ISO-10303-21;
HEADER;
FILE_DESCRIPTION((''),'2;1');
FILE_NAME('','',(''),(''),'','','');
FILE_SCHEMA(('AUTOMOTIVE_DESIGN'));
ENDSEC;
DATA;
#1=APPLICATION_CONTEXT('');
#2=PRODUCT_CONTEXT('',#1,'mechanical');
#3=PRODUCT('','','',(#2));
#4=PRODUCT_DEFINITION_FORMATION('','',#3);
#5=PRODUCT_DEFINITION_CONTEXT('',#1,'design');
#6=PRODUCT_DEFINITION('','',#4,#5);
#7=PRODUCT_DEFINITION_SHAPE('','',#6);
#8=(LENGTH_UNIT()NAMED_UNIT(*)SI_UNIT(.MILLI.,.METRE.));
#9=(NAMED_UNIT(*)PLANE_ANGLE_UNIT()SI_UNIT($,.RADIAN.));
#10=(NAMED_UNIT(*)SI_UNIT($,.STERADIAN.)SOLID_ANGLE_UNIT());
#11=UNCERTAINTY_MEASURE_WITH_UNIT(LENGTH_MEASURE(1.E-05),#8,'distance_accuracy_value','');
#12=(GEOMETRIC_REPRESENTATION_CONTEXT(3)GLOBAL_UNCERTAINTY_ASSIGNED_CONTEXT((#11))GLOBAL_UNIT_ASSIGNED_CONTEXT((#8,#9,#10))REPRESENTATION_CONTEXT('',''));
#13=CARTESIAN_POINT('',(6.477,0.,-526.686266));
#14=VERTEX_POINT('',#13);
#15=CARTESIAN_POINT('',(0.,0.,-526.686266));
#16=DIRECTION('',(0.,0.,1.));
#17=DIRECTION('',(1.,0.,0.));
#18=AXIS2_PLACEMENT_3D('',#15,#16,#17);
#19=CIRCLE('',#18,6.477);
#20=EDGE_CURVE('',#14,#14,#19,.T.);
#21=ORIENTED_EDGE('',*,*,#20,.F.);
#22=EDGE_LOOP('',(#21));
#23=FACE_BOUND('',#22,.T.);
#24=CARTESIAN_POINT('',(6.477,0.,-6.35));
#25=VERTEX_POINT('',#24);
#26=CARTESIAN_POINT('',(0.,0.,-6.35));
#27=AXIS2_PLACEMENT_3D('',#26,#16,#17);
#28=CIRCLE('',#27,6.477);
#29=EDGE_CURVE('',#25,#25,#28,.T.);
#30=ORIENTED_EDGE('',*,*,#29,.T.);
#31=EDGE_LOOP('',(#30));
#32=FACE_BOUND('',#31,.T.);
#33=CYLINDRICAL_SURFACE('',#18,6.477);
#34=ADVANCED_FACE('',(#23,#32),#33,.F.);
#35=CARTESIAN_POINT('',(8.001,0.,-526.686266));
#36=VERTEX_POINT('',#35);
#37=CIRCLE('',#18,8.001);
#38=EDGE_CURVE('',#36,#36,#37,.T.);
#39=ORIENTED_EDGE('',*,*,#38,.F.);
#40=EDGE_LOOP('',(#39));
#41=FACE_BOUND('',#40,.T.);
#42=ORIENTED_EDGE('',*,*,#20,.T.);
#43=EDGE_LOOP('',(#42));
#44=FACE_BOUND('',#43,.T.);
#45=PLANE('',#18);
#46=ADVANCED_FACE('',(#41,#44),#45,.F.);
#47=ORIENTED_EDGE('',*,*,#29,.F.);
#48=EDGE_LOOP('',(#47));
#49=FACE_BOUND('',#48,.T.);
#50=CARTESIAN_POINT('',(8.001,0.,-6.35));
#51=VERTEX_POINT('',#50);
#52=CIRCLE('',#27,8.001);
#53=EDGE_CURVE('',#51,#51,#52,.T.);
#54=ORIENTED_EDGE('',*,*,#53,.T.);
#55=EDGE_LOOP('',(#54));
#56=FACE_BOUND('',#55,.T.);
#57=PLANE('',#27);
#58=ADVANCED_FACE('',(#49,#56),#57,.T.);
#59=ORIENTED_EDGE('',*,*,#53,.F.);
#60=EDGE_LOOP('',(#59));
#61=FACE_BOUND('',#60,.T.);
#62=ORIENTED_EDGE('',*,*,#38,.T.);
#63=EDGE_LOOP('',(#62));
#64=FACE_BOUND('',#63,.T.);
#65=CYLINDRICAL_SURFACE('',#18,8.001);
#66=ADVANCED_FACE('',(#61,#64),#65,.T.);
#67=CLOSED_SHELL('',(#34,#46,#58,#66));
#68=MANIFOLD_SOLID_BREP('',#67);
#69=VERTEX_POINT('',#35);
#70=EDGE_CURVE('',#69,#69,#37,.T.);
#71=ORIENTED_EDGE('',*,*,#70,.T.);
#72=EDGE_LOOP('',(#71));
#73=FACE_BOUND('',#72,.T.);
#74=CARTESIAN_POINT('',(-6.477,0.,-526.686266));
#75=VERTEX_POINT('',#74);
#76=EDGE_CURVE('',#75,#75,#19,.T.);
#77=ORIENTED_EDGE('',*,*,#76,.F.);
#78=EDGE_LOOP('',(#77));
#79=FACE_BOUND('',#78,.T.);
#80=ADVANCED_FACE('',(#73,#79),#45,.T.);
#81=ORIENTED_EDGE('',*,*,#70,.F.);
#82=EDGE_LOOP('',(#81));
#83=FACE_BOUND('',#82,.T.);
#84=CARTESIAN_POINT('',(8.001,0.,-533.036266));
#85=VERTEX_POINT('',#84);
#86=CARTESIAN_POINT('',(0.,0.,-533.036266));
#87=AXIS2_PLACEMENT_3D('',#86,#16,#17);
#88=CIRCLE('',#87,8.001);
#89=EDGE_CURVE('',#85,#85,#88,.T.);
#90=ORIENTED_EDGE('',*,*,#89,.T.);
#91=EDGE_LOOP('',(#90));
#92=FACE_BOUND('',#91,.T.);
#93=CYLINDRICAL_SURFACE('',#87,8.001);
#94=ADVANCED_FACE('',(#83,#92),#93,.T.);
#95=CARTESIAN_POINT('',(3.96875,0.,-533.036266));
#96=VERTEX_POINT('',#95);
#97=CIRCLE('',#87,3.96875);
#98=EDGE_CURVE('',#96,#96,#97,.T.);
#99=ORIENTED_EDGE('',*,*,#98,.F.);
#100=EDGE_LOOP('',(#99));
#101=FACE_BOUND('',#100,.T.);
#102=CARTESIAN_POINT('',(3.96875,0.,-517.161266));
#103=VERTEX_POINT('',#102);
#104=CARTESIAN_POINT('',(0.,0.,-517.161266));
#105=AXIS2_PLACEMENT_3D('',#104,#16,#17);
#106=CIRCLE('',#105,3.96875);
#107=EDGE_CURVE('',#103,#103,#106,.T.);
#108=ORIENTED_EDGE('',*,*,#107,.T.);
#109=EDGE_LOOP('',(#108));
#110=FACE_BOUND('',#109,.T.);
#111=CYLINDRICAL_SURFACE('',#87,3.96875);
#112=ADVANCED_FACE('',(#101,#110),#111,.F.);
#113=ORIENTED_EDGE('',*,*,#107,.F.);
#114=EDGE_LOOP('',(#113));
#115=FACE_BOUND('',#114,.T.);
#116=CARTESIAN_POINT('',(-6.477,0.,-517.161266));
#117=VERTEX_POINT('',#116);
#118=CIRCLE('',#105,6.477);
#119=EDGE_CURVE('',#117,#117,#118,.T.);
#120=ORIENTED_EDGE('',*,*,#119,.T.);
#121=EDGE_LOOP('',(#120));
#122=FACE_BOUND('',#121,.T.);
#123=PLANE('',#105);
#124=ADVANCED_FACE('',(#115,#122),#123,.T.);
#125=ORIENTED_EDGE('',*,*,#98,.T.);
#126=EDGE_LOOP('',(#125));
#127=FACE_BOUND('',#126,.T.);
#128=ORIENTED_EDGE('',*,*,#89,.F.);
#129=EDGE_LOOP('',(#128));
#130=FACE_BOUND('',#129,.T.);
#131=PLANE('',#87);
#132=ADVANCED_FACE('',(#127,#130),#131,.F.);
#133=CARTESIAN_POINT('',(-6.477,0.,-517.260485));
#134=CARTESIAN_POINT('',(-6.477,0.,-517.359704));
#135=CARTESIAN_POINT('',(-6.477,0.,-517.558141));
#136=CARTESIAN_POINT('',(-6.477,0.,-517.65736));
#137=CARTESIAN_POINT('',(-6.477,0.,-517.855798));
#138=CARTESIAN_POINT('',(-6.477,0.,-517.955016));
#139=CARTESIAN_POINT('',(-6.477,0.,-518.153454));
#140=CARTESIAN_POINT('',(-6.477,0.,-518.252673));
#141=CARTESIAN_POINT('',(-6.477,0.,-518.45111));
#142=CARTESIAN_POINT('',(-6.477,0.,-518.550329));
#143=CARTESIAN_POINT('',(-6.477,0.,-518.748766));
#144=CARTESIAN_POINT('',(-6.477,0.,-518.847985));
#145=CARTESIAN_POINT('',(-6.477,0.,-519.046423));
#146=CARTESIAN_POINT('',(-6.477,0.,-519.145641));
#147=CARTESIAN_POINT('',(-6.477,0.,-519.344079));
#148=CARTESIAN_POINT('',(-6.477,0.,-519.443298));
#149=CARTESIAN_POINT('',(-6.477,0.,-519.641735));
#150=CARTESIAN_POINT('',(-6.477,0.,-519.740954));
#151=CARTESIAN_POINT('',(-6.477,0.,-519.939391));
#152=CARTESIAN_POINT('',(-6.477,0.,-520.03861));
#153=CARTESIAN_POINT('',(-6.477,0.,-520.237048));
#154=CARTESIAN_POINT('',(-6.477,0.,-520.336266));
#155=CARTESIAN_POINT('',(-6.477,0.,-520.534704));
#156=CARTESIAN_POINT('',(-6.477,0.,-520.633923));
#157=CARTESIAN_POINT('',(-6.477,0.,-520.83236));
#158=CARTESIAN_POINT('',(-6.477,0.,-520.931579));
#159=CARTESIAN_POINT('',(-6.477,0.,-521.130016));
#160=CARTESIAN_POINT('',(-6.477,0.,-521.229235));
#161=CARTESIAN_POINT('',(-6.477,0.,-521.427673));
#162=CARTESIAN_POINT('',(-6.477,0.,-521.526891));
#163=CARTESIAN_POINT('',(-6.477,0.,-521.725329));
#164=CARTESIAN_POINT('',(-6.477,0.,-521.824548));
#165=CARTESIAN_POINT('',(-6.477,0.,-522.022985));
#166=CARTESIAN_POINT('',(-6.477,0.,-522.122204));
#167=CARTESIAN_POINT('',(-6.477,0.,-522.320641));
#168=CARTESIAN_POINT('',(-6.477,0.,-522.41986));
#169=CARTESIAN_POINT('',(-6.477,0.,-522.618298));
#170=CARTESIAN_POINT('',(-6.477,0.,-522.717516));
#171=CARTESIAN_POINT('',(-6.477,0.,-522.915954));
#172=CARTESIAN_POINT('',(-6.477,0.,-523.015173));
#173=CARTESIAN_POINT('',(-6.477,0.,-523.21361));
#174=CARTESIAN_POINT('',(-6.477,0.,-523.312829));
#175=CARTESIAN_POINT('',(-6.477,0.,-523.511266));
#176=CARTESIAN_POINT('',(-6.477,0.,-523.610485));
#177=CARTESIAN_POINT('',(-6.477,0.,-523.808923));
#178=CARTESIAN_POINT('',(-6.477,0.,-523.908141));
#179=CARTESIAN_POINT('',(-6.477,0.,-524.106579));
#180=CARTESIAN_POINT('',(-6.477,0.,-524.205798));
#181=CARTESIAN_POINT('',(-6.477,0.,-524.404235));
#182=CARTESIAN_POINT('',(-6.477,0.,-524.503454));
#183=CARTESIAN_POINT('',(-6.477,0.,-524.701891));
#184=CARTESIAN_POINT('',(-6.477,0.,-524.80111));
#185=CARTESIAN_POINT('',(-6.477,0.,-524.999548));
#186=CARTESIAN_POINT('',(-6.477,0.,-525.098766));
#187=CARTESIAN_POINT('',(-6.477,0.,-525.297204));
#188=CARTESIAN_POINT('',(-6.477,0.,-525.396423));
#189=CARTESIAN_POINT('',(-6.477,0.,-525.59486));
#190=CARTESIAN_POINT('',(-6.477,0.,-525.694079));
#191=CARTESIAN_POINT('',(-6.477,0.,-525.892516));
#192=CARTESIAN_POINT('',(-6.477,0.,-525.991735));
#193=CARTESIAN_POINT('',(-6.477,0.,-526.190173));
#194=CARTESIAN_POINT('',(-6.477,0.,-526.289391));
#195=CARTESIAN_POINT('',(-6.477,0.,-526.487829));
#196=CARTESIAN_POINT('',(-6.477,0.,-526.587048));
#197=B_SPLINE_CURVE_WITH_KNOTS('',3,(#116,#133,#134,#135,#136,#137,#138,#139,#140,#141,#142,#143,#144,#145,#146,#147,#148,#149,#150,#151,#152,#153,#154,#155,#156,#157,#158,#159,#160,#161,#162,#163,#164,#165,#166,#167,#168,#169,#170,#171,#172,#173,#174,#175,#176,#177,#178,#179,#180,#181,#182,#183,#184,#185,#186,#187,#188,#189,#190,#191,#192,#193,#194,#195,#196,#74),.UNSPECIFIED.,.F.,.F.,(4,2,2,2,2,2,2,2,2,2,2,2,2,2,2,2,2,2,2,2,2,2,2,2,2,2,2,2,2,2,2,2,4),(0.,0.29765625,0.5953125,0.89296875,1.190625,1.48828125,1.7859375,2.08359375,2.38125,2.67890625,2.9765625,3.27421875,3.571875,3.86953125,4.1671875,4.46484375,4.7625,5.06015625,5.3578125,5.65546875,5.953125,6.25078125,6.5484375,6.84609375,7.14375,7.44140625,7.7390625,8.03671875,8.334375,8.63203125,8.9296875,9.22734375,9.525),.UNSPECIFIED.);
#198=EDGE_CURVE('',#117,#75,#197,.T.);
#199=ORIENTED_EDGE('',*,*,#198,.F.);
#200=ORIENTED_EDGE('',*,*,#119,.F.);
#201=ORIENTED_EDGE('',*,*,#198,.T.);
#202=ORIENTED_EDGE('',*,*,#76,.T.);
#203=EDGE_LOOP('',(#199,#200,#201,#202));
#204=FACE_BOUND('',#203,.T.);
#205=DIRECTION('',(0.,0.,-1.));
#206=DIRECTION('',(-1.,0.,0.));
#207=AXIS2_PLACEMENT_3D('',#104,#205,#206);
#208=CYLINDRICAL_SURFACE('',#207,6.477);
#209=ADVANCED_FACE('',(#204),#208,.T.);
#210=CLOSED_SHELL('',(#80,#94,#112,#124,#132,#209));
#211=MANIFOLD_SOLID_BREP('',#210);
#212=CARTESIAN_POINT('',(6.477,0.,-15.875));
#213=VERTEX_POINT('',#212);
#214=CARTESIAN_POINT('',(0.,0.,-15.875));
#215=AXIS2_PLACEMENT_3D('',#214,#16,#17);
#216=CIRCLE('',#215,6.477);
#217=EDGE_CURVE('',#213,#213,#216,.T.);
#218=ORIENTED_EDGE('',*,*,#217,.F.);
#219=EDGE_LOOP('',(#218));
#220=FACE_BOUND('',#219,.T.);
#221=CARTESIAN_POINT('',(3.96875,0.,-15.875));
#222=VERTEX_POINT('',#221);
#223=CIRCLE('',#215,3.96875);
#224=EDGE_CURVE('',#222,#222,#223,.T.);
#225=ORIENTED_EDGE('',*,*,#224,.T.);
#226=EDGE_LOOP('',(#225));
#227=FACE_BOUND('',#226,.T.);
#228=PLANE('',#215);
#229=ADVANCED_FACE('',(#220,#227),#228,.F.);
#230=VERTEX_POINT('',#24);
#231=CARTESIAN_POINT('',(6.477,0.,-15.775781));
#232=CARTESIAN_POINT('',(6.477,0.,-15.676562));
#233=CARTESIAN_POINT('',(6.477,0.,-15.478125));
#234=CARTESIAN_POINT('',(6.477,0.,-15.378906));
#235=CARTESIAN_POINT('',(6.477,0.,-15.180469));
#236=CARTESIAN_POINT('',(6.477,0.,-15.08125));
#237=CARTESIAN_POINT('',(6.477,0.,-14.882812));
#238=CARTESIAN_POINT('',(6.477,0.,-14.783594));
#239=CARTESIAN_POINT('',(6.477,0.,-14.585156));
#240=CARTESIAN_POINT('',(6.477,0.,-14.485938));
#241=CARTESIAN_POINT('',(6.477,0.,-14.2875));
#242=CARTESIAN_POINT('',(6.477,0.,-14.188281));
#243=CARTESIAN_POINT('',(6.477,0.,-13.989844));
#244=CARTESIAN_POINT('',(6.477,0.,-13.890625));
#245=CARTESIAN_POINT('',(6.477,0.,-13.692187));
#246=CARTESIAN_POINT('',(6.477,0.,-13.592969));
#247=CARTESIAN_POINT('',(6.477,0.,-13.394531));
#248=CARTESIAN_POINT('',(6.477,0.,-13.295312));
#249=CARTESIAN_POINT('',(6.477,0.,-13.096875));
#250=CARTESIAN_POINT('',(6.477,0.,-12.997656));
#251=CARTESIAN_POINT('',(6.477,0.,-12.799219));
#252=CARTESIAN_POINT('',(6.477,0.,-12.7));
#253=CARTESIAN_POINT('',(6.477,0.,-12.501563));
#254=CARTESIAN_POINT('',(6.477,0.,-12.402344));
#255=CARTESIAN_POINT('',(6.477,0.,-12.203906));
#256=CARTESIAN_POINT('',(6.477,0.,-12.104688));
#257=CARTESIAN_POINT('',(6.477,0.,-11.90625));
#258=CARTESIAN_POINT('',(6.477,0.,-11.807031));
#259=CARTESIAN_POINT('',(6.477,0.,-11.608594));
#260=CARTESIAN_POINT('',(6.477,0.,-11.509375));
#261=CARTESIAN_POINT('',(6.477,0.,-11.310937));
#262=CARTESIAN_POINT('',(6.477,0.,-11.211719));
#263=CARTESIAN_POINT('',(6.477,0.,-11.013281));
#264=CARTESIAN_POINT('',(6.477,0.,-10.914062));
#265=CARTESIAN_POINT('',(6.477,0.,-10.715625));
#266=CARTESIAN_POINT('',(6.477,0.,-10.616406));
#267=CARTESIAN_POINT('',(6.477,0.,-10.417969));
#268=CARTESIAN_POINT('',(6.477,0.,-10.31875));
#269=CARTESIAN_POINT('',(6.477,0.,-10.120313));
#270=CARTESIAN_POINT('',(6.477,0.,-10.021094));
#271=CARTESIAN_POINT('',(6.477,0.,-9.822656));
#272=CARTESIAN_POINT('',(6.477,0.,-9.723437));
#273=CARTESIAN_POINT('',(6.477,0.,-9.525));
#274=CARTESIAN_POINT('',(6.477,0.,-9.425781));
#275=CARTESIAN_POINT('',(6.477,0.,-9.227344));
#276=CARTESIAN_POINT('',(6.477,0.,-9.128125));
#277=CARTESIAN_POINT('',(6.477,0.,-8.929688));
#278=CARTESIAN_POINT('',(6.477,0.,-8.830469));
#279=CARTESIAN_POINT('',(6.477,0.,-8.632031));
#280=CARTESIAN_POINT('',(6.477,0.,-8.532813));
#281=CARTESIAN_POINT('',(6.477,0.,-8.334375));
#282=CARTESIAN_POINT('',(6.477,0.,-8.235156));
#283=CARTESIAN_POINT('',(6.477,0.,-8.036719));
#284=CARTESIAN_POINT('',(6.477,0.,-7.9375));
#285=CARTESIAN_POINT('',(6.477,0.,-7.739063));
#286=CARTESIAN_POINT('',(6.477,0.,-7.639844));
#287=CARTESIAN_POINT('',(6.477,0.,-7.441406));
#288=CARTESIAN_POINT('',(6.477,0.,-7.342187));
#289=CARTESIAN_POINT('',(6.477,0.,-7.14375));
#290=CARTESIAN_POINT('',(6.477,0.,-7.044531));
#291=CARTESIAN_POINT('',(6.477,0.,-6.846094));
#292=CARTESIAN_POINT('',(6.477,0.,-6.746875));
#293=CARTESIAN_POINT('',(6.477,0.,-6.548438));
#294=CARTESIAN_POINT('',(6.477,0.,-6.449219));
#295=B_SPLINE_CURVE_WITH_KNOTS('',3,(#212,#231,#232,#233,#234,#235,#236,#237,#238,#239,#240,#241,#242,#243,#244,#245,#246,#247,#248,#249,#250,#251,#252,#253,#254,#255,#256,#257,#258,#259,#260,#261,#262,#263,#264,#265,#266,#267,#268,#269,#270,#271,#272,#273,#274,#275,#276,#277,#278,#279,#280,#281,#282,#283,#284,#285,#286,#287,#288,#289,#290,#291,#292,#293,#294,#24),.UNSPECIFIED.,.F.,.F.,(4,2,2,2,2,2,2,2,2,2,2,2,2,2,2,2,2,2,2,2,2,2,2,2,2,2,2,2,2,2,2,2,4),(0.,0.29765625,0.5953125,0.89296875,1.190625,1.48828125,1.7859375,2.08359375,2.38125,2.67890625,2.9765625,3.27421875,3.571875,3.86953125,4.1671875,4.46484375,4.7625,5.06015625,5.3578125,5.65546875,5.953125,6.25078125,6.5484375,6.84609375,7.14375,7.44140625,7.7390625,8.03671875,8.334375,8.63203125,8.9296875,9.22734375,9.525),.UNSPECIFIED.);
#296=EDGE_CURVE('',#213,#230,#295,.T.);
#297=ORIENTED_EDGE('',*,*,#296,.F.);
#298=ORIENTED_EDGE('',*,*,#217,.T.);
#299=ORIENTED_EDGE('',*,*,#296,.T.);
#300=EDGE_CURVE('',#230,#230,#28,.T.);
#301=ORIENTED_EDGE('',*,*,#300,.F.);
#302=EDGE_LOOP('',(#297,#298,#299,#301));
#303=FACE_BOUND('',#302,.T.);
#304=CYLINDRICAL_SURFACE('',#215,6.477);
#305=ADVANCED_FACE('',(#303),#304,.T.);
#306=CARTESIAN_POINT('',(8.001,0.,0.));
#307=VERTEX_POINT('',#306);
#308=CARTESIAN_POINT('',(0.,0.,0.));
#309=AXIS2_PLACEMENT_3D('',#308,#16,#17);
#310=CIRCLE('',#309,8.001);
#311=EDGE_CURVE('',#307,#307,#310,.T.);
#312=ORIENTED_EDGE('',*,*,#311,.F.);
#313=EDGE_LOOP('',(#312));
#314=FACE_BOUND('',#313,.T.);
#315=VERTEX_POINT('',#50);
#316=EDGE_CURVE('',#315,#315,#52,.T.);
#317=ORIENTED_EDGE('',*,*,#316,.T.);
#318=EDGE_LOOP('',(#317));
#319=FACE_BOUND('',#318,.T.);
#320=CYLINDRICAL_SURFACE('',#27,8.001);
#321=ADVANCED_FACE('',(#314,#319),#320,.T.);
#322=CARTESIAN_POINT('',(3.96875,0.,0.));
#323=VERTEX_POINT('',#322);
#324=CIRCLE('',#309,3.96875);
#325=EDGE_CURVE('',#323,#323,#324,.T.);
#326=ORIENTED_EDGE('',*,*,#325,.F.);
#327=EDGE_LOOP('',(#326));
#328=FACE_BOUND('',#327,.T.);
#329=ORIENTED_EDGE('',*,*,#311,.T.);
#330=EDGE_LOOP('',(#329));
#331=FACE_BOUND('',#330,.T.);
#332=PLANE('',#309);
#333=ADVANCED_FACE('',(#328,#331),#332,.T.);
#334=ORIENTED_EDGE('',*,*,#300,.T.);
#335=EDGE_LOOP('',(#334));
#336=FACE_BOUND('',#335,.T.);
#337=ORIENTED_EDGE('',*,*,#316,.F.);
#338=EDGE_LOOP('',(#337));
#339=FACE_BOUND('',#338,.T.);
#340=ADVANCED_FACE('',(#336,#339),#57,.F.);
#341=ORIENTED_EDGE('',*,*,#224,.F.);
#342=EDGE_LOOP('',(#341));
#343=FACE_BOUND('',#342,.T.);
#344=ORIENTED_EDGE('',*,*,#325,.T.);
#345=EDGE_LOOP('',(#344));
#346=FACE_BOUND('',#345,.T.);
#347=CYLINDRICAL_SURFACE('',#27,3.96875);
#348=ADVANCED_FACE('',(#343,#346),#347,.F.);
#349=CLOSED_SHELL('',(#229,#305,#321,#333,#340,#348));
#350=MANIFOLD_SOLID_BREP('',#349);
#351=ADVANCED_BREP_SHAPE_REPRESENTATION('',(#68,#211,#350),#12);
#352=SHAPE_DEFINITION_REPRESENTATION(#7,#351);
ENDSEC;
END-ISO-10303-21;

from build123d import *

# Parameters (mm, degrees)
SKETCH1_R                 = 8.001
SKETCH1_R_2               = 6.477
SKETCH1_R_3               = 3.96875
THREADED_INSERT_1_1_DEPTH = 6.35
THREADED_START            = -6.35
SKETCH1_3_R               = 6.477
SKETCH1_3_R_2             = 3.96875
THREADED_INSERT_1_2_DEPTH = 9.525
TUBE_START                = -6.35
SKETCH1_4_R               = 8.001
SKETCH1_4_R_2             = 6.477
TUBE_EXTRUDE_DEPTH        = 520.336266
THREADED_START_2          = -526.686266
SKETCH1_6_R               = 6.477
SKETCH1_6_R_2             = 3.96875
THREADED_INSERT_2_1_DEPTH = 9.525
SKETCH1_9_R               = 8.001
SKETCH1_9_R_2             = 6.477
SKETCH1_9_R_3             = 3.96875
THREADED_INSERT_2_2_DEPTH = 6.35


with BuildPart() as part:
    # Sketch1 → Threaded insert 1-1 (new body)
    # profile 1 of 2: a face of its own
    with BuildSketch(Plane.XY):
        Circle(SKETCH1_R)
        Circle(SKETCH1_R_2, mode=Mode.SUBTRACT)
    # profile 2 of 2: a face of its own
    with BuildSketch(Plane.XY):
        Circle(SKETCH1_R_2)
        Circle(SKETCH1_R_3, mode=Mode.SUBTRACT)
    extrude(amount=-THREADED_INSERT_1_1_DEPTH)

    # Sketch1<3> → Threaded insert 1-2 (add)
    with BuildSketch(Plane.XY.offset(THREADED_START)):
        Circle(SKETCH1_3_R)
        Circle(SKETCH1_3_R_2, mode=Mode.SUBTRACT)
    extrude(amount=-THREADED_INSERT_1_2_DEPTH)


with BuildPart() as body_2:
    # Sketch1<4> → Tube extrude (new body)
    with BuildSketch(Plane.XY.offset(TUBE_START)):
        Circle(SKETCH1_4_R)
        Circle(SKETCH1_4_R_2, mode=Mode.SUBTRACT)
    extrude(amount=-TUBE_EXTRUDE_DEPTH)


with BuildPart() as body_3:
    # Sketch1<6> → Threaded insert 2-1 (new body)
    with BuildSketch(Plane.XY.offset(THREADED_START_2)):
        Circle(SKETCH1_6_R)
        Circle(SKETCH1_6_R_2, mode=Mode.SUBTRACT)
    extrude(amount=THREADED_INSERT_2_1_DEPTH)


with BuildPart() as body_4:
    # Sketch1<9> → Threaded insert 2-2 (new body)
    # profile 1 of 2: a face of its own
    with BuildSketch(Plane.XY.offset(THREADED_START_2)):
        Circle(SKETCH1_9_R)
        Circle(SKETCH1_9_R_2, mode=Mode.SUBTRACT)
    # profile 2 of 2: a face of its own
    with BuildSketch(Plane.XY.offset(THREADED_START_2)):
        Circle(SKETCH1_9_R_2)
        Circle(SKETCH1_9_R_3, mode=Mode.SUBTRACT)
    extrude(amount=-THREADED_INSERT_2_2_DEPTH)

    # Combine1: union body 3
    add(body_3.part)


solid = Compound([part.part, body_2.part, body_4.part])
